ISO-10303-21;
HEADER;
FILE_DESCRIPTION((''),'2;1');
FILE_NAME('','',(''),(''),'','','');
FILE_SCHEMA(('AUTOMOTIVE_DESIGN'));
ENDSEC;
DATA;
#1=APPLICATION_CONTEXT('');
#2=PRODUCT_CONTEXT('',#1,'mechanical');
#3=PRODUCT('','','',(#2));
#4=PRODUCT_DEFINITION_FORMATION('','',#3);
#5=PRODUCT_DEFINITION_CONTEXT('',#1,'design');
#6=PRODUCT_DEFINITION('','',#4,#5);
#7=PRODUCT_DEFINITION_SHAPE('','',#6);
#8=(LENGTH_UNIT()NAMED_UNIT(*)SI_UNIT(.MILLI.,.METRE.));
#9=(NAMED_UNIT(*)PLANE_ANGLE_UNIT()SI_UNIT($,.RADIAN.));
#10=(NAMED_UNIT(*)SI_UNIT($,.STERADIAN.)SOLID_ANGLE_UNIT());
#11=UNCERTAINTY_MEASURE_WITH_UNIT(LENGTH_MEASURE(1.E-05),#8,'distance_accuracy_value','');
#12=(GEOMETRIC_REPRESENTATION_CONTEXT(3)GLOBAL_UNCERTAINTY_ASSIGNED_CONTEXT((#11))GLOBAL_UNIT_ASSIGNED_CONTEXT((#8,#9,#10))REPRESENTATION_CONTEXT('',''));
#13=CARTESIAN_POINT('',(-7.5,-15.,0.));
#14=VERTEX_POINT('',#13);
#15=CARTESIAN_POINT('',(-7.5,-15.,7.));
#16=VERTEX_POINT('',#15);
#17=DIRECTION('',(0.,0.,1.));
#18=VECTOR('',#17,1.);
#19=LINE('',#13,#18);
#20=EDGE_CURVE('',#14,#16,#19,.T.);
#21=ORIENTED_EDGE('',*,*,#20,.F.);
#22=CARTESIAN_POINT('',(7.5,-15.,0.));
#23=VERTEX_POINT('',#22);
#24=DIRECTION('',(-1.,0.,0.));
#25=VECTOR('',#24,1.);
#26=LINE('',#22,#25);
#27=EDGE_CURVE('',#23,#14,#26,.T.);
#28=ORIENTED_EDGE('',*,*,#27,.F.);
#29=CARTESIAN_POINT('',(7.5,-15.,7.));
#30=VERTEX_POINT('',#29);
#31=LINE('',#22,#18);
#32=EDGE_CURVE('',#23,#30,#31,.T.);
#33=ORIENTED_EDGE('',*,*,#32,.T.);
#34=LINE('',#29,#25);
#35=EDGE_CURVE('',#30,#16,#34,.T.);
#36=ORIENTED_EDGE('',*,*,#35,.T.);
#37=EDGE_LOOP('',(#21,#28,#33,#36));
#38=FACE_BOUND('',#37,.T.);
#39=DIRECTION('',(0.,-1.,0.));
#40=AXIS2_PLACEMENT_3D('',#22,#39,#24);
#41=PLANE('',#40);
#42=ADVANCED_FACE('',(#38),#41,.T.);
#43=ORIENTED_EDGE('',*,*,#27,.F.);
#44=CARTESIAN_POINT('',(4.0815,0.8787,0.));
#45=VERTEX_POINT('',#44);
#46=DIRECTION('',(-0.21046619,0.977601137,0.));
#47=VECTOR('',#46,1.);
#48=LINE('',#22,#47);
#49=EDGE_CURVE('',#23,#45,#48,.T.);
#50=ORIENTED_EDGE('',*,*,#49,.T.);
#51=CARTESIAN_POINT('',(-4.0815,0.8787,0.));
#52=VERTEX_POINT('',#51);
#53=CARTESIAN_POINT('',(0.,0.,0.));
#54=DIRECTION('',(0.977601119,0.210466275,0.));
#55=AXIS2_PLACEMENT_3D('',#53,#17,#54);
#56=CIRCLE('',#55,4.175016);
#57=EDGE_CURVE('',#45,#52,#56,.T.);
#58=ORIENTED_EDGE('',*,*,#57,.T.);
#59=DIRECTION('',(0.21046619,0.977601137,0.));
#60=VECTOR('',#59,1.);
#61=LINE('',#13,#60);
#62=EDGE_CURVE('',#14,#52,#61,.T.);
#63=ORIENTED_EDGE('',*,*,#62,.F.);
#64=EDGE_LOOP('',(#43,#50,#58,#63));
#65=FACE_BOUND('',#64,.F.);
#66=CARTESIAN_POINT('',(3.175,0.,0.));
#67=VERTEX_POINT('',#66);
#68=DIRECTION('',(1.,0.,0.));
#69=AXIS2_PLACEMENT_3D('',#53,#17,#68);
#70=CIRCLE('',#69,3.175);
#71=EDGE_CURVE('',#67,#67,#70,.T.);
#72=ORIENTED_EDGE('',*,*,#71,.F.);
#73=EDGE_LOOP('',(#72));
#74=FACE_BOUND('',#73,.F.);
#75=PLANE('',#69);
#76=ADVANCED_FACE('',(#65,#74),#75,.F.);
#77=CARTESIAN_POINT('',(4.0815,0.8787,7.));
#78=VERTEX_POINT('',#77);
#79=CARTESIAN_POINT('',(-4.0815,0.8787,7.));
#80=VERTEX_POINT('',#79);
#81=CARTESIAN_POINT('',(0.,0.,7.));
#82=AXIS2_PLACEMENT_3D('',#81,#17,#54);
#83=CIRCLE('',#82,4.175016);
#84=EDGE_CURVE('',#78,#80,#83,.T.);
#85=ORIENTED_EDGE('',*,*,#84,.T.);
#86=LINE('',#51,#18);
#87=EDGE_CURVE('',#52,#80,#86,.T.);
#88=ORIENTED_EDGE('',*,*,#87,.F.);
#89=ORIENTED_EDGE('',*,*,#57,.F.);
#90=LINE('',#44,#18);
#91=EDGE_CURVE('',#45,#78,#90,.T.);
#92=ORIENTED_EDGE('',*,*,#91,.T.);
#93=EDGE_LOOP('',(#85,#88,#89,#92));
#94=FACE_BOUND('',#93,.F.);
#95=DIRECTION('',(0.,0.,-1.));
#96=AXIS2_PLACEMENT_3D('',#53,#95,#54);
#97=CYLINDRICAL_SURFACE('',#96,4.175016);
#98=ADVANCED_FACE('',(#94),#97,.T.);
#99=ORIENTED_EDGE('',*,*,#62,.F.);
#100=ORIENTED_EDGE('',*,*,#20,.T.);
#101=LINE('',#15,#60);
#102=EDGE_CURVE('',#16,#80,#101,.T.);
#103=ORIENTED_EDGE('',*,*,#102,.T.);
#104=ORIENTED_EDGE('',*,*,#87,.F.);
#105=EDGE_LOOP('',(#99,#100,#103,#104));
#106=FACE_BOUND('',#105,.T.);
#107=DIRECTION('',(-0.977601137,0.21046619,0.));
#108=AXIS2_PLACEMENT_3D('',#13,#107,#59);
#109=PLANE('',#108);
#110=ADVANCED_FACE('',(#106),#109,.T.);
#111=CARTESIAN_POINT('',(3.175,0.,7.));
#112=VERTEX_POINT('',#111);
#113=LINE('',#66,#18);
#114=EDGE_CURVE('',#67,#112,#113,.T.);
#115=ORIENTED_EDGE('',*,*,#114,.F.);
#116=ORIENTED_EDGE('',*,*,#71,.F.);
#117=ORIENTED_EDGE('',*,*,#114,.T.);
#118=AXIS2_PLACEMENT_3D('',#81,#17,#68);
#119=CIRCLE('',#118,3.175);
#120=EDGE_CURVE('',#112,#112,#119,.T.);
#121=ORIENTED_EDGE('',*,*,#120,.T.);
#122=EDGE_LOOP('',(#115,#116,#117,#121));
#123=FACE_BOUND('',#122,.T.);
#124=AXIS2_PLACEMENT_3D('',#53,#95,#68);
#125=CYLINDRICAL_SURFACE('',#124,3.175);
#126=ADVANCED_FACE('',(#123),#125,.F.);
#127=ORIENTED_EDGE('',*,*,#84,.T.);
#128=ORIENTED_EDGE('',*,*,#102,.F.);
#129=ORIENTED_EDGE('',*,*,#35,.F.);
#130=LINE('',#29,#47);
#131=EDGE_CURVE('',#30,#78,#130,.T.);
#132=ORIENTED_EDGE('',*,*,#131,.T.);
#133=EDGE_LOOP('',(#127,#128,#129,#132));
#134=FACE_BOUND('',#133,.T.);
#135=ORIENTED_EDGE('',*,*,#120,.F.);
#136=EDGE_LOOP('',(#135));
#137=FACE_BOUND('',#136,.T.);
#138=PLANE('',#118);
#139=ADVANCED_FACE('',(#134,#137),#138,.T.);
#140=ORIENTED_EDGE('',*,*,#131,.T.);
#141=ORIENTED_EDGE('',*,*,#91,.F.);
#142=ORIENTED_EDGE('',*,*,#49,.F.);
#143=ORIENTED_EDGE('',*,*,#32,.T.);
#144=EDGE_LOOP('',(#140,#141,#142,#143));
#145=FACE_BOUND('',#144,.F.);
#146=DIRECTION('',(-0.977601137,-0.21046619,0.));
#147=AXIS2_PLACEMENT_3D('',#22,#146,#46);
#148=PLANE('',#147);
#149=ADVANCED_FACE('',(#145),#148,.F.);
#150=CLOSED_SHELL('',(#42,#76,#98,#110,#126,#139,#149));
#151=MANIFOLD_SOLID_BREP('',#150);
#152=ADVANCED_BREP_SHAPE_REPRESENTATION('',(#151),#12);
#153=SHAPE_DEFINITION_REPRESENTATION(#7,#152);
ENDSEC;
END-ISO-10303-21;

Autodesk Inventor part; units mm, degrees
ref_plane "YZ Plane" through (0, 0, 0) normal (1, 0, 0) x (0, 1, 0)
ref_plane "XZ Plane" through (0, 0, 0) normal (0, 1, 0) x (-1, 0, 0)
ref_plane "XY Plane" through (0, 0, 0) normal (0, 0, 1) x (1, 0, 0)
sketch "Boceto1" plane through (0, 0, 0) normal (0, 0, 1) x (1, 0, 0)
  circle A0 centre (0, 0) radius 3.175
  arc A1 (4.0815, 0.8787) -> (-4.0815, 0.8787) centre (0, 0) ccw
  line L0 (0, 0) -> (0, -15) construction
  line L1 (0, -15) -> (7.5, -15) construction
  line L2 (0, -15) -> (-7.5, -15) construction
  line L3 (-7.5, -15) -> (-4.0815, 0.8787)
  line L4 (7.5, -15) -> (4.0815, 0.8787)
  line L5 (7.5, -15) -> (-7.5, -15)
  dimension "d0" = 6.35
  dimension "d1" = 1
  dimension "d2" = 15
  dimension "d3" = 7.5
  dimension "d4" = 7.5
extrude "Extrusión1" add sketch "Boceto1" along normal blind 7
properties part number "base"
